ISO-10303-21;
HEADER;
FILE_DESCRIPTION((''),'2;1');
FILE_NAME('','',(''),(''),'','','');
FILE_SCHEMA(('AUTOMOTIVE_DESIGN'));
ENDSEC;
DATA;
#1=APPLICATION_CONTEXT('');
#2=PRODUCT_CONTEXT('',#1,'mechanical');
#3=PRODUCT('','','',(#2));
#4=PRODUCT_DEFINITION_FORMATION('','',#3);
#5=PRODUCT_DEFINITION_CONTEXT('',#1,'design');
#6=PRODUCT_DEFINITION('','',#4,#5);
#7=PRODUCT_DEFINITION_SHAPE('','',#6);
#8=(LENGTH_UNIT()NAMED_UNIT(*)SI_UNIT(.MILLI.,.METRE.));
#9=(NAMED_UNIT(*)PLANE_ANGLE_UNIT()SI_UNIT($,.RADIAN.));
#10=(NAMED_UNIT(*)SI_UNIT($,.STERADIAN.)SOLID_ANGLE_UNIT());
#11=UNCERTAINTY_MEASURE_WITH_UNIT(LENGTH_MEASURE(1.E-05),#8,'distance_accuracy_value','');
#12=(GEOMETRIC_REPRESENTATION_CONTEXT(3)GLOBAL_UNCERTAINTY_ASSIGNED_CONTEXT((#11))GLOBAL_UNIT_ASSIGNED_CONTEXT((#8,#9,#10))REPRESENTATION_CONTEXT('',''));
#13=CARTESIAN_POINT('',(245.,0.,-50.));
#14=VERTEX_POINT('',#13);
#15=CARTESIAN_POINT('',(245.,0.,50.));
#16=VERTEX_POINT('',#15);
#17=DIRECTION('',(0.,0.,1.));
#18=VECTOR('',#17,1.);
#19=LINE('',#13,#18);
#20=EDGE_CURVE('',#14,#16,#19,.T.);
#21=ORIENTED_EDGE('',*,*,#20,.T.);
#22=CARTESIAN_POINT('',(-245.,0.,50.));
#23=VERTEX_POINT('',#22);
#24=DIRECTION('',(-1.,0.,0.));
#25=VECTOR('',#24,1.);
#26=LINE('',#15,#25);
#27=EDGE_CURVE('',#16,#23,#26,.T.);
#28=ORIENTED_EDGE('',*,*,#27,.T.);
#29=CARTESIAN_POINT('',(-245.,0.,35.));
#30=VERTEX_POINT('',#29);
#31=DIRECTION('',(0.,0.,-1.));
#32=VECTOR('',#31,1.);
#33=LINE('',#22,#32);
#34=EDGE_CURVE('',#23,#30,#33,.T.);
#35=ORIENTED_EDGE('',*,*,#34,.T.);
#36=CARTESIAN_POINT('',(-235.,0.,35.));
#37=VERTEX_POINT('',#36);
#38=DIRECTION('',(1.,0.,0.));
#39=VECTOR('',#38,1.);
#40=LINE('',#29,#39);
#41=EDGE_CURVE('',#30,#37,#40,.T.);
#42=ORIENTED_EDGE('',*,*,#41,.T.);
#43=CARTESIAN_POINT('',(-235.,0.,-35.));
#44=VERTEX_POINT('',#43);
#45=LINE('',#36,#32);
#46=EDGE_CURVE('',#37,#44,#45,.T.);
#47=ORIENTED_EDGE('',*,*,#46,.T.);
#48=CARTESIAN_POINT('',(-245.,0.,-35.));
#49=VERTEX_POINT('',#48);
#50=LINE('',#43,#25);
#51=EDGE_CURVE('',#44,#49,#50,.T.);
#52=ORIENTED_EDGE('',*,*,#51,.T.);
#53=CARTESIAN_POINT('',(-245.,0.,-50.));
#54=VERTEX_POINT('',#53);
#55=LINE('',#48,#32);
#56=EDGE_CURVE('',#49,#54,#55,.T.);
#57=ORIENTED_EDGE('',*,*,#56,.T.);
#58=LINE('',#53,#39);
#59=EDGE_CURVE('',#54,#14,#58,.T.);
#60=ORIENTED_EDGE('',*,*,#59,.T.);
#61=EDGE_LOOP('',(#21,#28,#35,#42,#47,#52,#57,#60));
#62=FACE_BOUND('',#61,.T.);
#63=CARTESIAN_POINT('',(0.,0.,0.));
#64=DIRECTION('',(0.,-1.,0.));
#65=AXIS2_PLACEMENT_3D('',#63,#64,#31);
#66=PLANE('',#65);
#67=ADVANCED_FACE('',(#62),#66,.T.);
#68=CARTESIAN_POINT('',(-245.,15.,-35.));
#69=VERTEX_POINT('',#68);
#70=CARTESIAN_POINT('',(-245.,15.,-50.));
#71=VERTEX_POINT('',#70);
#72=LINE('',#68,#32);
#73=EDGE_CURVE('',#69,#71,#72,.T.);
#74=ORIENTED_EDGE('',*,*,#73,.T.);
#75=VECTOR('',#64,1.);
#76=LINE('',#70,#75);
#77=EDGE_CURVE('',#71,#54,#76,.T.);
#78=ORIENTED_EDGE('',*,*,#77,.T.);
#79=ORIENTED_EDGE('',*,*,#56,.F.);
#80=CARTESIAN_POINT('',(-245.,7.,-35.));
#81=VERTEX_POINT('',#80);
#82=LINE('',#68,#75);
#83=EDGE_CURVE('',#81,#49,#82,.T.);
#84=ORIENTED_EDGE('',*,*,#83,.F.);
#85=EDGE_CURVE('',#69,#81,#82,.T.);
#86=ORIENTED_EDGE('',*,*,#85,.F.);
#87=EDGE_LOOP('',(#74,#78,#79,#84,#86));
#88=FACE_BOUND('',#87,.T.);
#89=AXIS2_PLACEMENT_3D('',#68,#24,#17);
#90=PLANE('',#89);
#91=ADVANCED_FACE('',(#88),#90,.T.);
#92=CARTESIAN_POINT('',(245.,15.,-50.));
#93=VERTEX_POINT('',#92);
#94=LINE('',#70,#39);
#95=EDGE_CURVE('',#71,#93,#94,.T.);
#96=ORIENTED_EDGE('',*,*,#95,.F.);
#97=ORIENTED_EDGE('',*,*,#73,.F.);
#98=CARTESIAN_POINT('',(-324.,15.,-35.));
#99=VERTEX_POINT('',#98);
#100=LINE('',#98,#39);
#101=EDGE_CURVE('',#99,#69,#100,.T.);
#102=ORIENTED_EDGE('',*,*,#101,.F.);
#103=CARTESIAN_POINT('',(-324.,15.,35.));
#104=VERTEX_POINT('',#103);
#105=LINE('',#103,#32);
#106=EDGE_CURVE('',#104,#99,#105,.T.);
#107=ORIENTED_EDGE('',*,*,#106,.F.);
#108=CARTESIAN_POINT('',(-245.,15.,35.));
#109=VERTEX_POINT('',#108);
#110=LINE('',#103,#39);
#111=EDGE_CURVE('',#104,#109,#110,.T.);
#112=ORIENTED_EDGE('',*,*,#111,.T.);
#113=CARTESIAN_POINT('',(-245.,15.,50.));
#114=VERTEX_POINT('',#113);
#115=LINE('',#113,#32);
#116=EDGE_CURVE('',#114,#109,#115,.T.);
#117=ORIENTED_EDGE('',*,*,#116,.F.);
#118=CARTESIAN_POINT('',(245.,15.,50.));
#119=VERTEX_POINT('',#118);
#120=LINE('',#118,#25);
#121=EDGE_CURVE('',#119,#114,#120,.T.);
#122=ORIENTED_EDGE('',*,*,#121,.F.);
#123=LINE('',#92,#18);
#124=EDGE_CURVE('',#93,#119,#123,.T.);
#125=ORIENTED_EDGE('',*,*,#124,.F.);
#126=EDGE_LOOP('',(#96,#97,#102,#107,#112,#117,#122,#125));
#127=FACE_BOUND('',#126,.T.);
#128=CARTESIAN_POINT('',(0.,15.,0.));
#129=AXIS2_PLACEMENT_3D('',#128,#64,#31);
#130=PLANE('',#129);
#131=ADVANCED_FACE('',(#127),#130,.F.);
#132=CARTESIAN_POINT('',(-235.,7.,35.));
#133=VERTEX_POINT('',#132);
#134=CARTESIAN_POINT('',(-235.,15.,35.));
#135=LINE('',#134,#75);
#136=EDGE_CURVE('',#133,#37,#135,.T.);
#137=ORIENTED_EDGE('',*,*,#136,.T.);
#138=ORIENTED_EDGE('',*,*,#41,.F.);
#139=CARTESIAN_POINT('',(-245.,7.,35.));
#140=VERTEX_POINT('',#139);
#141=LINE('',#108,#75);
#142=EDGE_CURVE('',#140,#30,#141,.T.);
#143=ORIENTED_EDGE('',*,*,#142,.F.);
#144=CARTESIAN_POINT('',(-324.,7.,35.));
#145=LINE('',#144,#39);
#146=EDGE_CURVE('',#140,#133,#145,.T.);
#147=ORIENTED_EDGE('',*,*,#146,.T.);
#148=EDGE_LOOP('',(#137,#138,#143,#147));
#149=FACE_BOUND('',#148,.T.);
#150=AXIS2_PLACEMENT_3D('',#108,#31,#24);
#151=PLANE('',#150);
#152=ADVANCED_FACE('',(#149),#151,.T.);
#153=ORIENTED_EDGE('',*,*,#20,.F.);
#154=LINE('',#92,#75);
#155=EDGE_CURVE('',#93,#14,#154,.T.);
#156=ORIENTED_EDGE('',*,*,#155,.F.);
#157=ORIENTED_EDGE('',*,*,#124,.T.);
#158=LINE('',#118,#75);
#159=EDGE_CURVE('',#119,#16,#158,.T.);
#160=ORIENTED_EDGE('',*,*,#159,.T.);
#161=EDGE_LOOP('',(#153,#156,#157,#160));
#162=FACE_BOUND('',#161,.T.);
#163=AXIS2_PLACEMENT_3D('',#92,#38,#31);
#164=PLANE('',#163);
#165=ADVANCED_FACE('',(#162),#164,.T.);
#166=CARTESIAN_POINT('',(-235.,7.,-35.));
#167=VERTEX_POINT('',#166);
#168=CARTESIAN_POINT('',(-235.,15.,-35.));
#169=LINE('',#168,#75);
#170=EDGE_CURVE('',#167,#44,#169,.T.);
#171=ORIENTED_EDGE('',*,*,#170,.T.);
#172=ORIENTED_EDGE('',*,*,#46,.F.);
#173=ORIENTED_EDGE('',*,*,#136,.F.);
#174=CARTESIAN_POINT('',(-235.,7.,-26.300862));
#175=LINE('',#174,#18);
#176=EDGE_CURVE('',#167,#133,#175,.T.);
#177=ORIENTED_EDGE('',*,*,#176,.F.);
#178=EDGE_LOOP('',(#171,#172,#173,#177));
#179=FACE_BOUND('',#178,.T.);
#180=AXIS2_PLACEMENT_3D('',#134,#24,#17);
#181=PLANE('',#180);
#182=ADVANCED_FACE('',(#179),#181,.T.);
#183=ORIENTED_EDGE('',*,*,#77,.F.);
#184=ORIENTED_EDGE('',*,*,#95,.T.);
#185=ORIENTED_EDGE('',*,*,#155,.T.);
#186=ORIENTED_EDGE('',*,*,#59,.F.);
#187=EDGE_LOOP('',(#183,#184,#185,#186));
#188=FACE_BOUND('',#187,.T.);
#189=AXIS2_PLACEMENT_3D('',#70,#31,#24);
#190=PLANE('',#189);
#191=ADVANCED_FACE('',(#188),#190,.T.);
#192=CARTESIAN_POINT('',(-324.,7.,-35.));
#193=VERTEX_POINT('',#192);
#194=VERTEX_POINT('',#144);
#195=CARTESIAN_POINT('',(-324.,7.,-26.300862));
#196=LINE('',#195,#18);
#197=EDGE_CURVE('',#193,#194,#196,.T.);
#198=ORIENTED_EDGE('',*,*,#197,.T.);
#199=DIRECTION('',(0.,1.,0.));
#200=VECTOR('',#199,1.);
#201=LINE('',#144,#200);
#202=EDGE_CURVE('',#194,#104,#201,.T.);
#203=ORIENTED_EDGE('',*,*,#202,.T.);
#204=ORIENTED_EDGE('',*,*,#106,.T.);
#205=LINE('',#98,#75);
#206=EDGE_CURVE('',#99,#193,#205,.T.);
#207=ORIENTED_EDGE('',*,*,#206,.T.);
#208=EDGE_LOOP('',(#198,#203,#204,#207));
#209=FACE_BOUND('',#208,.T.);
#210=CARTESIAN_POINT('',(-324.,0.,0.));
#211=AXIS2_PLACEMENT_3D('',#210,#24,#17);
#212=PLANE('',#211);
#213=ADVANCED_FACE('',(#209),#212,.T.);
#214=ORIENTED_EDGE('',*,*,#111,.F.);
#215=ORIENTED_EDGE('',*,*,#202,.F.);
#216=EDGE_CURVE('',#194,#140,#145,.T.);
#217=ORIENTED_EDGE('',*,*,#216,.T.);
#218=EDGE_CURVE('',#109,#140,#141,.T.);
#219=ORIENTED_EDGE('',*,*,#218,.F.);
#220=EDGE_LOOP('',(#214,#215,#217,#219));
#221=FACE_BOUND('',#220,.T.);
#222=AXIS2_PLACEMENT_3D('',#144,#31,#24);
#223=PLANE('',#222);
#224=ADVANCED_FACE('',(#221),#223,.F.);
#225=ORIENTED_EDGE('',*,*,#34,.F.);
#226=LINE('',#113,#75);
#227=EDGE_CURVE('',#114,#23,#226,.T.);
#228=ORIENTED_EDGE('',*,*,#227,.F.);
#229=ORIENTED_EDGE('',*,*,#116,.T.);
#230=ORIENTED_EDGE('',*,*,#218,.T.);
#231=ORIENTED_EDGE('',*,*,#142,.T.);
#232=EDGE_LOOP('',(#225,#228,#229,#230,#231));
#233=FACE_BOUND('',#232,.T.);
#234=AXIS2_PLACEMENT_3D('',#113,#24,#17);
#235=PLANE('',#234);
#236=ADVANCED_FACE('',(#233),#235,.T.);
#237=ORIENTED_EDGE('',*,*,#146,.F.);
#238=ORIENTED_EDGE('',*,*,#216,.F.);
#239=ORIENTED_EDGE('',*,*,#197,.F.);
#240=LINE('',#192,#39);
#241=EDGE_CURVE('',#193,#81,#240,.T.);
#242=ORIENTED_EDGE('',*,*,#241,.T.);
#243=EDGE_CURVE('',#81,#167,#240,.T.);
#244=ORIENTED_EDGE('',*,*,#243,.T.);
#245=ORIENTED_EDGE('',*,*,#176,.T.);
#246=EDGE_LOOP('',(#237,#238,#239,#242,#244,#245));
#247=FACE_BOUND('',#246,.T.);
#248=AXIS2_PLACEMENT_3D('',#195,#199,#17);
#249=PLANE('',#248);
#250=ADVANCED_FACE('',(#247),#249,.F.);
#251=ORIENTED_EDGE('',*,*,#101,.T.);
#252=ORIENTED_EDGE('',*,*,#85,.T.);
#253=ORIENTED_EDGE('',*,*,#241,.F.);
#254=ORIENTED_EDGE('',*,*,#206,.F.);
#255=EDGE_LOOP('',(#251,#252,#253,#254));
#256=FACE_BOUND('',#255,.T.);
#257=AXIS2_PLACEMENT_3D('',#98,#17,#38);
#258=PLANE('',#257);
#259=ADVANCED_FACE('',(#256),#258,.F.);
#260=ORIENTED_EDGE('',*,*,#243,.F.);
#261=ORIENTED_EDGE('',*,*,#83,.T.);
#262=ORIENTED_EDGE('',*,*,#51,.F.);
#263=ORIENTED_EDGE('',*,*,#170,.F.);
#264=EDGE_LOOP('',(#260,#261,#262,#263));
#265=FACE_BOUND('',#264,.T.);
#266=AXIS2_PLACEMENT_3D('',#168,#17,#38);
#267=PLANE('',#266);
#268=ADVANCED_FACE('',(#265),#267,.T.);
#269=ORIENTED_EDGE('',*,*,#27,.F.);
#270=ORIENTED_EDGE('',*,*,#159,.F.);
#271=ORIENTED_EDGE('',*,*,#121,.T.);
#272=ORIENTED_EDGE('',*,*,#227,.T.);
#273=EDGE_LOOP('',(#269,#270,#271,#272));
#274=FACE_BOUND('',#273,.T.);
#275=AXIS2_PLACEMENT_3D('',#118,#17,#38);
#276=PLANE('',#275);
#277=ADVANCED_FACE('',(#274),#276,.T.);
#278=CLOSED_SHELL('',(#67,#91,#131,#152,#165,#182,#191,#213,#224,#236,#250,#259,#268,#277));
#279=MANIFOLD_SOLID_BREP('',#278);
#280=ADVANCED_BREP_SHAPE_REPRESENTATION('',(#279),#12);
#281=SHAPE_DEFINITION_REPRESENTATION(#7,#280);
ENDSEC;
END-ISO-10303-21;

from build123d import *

# Parameters (mm, degrees)
EXTRUDE_1_DEPTH = 15
EXTRUDE_3_DEPTH = 89


with BuildPart() as part:
    # 草图1 → 凸台-拉伸1 (new body)
    with BuildSketch(Plane.XZ):
        Polygon((245, -50), (245, 50), (-245, 50), (-245, 35), (-235, 35), (-235, -35), (-245, -35), (-245, -50), align=None)
    extrude(amount=-EXTRUDE_1_DEPTH)

    # 草图2 → 凸台-拉伸3 (add)
    with BuildSketch(Plane.ZY.offset(235)):
        Polygon((-26.300861676, 7), (-35, 7), (-35, 15), (35, 15), (35, 7), align=None)
    extrude(amount=EXTRUDE_3_DEPTH)


solid = part.part
